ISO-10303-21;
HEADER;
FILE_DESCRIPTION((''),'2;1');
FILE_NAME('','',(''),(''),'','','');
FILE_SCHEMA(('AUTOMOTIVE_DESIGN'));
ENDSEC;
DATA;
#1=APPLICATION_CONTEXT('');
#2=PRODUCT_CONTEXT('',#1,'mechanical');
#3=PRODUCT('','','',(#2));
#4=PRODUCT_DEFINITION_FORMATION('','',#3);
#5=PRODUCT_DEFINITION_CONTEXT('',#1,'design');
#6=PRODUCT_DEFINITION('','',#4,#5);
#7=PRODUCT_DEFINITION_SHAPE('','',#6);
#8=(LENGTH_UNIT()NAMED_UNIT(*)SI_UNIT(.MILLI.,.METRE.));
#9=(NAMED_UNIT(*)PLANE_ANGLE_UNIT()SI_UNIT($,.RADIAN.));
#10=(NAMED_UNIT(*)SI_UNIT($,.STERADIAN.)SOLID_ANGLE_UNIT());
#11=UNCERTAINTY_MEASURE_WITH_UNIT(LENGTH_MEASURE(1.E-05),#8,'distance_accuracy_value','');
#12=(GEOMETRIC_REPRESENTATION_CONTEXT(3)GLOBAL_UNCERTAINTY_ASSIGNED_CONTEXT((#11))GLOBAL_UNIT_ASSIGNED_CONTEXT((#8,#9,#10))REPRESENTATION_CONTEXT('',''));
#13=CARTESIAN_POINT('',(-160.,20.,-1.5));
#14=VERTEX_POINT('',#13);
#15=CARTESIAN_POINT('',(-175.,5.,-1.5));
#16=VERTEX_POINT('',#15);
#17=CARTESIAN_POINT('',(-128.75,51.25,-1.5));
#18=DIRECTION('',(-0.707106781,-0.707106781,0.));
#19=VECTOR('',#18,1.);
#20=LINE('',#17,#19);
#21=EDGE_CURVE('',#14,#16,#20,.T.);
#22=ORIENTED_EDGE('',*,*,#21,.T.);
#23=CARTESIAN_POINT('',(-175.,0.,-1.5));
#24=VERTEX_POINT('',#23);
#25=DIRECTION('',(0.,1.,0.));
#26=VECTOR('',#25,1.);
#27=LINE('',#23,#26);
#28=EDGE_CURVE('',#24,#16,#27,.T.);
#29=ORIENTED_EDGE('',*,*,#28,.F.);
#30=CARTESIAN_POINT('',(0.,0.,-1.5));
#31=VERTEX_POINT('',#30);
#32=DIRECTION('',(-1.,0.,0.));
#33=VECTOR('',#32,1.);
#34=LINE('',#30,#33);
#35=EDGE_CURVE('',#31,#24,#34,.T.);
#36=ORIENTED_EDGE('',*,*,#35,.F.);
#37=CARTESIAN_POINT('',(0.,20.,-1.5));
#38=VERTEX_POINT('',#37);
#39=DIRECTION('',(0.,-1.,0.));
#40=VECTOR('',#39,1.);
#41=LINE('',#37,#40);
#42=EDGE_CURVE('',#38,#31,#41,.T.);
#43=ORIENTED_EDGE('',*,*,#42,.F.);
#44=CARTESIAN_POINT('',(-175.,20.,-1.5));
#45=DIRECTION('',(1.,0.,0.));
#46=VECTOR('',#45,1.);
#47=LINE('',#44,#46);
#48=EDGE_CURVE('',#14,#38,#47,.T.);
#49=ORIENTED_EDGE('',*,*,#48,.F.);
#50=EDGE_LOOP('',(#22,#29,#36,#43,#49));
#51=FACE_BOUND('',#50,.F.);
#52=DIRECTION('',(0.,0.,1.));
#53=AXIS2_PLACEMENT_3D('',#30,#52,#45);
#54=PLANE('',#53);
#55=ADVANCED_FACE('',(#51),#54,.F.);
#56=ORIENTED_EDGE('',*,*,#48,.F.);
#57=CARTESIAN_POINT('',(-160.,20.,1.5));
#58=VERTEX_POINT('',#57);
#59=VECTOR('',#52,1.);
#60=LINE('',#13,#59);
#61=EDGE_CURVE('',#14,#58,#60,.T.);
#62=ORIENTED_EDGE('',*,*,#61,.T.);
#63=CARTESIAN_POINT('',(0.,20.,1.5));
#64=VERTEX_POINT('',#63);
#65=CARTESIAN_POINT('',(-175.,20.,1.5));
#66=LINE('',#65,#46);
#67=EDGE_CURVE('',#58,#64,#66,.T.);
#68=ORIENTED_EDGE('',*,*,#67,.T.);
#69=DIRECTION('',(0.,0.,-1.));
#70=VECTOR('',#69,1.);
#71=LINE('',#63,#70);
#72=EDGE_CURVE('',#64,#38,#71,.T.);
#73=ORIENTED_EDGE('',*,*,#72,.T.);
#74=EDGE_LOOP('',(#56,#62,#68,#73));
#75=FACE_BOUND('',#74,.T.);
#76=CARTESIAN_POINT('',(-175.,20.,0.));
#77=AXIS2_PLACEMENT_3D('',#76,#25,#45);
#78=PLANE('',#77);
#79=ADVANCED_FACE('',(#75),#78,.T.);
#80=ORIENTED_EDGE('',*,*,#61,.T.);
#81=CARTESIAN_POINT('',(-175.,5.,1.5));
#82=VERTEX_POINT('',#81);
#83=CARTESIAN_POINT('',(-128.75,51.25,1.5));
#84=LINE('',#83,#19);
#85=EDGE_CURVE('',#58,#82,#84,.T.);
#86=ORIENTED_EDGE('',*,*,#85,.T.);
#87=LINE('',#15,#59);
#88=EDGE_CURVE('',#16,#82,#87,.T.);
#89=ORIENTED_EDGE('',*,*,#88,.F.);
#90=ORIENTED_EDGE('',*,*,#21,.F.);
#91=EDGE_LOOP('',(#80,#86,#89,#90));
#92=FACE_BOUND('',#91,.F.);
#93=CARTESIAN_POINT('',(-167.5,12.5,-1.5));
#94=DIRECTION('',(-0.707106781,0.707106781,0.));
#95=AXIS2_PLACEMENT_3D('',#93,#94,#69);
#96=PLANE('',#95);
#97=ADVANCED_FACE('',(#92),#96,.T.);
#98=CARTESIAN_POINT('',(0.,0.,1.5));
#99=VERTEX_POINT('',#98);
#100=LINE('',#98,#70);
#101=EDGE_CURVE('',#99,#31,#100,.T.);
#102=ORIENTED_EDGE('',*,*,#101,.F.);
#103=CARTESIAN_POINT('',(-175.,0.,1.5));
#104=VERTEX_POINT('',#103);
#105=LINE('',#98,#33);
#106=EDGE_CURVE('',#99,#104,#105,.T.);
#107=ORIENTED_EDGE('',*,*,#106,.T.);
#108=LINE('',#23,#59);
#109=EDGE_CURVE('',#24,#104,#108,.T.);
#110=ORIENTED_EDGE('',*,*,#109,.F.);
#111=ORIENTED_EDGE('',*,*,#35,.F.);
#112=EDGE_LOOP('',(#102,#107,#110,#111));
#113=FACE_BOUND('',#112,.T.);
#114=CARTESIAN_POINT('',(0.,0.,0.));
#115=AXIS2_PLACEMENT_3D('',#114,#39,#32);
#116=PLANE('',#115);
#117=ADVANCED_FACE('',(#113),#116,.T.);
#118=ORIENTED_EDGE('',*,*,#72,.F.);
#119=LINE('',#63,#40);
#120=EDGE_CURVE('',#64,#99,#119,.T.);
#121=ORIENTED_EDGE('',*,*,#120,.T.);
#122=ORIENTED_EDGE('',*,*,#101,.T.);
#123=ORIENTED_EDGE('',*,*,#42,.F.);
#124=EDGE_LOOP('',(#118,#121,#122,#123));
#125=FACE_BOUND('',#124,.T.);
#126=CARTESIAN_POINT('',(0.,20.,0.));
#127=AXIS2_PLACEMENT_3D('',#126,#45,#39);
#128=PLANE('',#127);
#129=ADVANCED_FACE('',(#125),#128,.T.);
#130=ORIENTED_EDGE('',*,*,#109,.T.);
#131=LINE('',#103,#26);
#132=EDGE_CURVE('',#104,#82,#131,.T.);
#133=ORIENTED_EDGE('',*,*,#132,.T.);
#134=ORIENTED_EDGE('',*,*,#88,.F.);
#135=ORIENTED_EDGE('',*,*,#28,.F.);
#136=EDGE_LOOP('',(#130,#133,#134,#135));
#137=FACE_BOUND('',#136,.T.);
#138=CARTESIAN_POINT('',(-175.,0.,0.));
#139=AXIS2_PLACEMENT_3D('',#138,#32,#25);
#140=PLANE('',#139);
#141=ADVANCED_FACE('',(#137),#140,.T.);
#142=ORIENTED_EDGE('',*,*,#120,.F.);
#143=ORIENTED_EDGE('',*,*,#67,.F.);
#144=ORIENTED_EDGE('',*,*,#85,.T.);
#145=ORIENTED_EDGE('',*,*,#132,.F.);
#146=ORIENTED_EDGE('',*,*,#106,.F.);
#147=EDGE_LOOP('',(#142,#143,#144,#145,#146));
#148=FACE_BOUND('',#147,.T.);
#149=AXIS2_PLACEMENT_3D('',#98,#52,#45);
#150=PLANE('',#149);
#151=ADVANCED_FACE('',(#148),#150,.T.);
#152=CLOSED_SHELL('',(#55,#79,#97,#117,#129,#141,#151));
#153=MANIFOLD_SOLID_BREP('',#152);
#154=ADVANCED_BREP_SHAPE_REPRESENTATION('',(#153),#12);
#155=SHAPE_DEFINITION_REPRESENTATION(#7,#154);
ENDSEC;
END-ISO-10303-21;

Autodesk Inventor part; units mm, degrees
ref_plane "YZ Plane" through (0, 0, 0) normal (1, 0, 0) x (0, 1, 0)
ref_plane "XZ Plane" through (0, 0, 0) normal (0, 1, 0) x (-1, 0, 0)
ref_plane "XY Plane" through (0, 0, 0) normal (0, 0, 1) x (1, 0, 0)
sketch "Sketch1" plane through (0, 0, 0) normal (0, 0, 1) x (1, 0, 0)
  line L0 (-175, 20) -> (0, 20)
  line L1 (0, 20) -> (0, 0)
  line L2 (0, 0) -> (-175, 0)
  line L3 (-175, 0) -> (-175, 20)
  dimension "d2" = 20
  dimension "d3" = 175
extrude "Plate1" add sketch "Sketch1" along normal mid plane 3
chamfer "Chamfer1" distance 15 angle 45 1 edges at (-175, 20, 0)
equation "\"d4\" = Thickness"
equation "\"BendReliefWidth\" = Thickness"
equation "\"BendReliefDepth\" = 0.5 * Thickness"
equation "\"CornerReliefSize\" = 4 * Thickness"
equation "\"MinimumRemnant\" = 2 * Thickness"
equation "\"TransitionRadius\" = BendRadius"
equation "\"JacobiRadiusSize\" = BendRadius"
equation "\"GapSize\" = Thickness"
equation "\"Thickness\" = 3"
equation "\"BendRadius\" = 5"
properties part number "MSC 039 flange cover plate 500" material "Stainless Steel"
